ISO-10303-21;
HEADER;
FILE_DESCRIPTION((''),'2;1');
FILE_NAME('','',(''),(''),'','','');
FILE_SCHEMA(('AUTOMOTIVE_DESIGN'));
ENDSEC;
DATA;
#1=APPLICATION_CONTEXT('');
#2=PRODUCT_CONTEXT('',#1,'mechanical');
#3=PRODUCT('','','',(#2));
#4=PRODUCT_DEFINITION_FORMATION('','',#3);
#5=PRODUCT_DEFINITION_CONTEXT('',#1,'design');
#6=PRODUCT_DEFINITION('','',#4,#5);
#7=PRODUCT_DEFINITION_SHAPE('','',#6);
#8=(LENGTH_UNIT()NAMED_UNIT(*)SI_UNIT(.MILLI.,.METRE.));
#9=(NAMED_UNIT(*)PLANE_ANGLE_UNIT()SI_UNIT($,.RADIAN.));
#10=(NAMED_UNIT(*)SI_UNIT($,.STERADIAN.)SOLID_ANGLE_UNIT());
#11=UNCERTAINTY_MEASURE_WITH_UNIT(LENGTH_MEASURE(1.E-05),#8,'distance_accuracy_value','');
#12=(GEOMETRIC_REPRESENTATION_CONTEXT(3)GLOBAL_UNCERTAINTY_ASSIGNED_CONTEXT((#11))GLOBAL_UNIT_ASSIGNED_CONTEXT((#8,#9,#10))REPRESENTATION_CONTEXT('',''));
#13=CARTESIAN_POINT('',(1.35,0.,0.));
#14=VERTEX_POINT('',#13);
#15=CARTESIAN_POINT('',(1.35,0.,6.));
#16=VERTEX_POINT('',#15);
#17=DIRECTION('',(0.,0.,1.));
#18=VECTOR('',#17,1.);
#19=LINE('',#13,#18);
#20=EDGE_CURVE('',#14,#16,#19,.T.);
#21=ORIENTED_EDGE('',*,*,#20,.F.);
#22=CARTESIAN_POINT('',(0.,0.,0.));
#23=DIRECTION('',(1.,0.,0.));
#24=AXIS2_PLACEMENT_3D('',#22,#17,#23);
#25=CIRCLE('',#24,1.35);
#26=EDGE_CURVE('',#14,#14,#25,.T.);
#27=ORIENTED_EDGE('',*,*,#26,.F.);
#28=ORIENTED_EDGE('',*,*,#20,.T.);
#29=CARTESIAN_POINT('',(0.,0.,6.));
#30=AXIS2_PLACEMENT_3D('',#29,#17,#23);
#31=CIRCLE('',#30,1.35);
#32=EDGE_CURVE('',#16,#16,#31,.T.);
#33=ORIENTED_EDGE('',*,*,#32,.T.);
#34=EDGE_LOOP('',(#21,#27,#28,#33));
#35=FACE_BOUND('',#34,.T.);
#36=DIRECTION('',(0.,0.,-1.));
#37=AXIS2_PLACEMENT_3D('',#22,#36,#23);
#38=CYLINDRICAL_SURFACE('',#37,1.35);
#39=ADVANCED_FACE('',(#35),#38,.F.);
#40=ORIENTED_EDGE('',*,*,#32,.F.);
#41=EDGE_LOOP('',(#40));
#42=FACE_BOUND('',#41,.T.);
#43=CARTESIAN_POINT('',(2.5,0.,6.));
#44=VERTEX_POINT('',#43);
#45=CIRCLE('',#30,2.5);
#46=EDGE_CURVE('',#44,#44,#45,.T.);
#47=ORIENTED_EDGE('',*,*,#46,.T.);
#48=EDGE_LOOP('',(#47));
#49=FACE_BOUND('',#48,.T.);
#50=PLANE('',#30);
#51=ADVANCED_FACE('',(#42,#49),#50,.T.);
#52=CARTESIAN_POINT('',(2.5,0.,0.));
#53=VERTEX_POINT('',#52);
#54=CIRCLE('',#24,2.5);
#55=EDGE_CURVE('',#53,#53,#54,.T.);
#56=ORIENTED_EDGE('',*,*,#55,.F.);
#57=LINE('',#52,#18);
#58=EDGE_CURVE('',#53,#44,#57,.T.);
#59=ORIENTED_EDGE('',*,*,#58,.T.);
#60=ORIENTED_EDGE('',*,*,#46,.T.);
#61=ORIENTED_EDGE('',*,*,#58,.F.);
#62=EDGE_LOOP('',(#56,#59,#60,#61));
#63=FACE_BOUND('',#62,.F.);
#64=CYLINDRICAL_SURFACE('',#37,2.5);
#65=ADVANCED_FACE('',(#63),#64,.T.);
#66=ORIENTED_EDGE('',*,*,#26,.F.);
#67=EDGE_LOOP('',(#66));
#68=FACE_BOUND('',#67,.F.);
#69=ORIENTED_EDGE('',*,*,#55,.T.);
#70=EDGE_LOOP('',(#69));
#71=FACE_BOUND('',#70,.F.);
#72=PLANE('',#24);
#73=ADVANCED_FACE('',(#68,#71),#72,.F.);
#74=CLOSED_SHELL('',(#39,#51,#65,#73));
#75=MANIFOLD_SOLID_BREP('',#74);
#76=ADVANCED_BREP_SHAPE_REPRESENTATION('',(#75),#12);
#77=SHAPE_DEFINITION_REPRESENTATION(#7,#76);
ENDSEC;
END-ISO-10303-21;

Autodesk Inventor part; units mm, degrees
ref_plane "YZ Plane" through (0, 0, 0) normal (1, 0, 0) x (0, 1, 0)
ref_plane "XZ Plane" through (0, 0, 0) normal (0, 1, 0) x (-1, 0, 0)
ref_plane "XY Plane" through (0, 0, 0) normal (0, 0, 1) x (1, 0, 0)
sketch "Sketch1" plane through (0, 0, 0) normal (0, 0, 1) x (1, 0, 0)
  circle A0 centre (0, 0) radius 2.5
  circle A1 centre (0, 0) radius 1.35
  dimension "d0" = 5
  dimension "d1" = 2.7
extrude "Extrusion1" add sketch "Sketch1" along normal blind 6
properties part number "WE_960060021_Distans"
